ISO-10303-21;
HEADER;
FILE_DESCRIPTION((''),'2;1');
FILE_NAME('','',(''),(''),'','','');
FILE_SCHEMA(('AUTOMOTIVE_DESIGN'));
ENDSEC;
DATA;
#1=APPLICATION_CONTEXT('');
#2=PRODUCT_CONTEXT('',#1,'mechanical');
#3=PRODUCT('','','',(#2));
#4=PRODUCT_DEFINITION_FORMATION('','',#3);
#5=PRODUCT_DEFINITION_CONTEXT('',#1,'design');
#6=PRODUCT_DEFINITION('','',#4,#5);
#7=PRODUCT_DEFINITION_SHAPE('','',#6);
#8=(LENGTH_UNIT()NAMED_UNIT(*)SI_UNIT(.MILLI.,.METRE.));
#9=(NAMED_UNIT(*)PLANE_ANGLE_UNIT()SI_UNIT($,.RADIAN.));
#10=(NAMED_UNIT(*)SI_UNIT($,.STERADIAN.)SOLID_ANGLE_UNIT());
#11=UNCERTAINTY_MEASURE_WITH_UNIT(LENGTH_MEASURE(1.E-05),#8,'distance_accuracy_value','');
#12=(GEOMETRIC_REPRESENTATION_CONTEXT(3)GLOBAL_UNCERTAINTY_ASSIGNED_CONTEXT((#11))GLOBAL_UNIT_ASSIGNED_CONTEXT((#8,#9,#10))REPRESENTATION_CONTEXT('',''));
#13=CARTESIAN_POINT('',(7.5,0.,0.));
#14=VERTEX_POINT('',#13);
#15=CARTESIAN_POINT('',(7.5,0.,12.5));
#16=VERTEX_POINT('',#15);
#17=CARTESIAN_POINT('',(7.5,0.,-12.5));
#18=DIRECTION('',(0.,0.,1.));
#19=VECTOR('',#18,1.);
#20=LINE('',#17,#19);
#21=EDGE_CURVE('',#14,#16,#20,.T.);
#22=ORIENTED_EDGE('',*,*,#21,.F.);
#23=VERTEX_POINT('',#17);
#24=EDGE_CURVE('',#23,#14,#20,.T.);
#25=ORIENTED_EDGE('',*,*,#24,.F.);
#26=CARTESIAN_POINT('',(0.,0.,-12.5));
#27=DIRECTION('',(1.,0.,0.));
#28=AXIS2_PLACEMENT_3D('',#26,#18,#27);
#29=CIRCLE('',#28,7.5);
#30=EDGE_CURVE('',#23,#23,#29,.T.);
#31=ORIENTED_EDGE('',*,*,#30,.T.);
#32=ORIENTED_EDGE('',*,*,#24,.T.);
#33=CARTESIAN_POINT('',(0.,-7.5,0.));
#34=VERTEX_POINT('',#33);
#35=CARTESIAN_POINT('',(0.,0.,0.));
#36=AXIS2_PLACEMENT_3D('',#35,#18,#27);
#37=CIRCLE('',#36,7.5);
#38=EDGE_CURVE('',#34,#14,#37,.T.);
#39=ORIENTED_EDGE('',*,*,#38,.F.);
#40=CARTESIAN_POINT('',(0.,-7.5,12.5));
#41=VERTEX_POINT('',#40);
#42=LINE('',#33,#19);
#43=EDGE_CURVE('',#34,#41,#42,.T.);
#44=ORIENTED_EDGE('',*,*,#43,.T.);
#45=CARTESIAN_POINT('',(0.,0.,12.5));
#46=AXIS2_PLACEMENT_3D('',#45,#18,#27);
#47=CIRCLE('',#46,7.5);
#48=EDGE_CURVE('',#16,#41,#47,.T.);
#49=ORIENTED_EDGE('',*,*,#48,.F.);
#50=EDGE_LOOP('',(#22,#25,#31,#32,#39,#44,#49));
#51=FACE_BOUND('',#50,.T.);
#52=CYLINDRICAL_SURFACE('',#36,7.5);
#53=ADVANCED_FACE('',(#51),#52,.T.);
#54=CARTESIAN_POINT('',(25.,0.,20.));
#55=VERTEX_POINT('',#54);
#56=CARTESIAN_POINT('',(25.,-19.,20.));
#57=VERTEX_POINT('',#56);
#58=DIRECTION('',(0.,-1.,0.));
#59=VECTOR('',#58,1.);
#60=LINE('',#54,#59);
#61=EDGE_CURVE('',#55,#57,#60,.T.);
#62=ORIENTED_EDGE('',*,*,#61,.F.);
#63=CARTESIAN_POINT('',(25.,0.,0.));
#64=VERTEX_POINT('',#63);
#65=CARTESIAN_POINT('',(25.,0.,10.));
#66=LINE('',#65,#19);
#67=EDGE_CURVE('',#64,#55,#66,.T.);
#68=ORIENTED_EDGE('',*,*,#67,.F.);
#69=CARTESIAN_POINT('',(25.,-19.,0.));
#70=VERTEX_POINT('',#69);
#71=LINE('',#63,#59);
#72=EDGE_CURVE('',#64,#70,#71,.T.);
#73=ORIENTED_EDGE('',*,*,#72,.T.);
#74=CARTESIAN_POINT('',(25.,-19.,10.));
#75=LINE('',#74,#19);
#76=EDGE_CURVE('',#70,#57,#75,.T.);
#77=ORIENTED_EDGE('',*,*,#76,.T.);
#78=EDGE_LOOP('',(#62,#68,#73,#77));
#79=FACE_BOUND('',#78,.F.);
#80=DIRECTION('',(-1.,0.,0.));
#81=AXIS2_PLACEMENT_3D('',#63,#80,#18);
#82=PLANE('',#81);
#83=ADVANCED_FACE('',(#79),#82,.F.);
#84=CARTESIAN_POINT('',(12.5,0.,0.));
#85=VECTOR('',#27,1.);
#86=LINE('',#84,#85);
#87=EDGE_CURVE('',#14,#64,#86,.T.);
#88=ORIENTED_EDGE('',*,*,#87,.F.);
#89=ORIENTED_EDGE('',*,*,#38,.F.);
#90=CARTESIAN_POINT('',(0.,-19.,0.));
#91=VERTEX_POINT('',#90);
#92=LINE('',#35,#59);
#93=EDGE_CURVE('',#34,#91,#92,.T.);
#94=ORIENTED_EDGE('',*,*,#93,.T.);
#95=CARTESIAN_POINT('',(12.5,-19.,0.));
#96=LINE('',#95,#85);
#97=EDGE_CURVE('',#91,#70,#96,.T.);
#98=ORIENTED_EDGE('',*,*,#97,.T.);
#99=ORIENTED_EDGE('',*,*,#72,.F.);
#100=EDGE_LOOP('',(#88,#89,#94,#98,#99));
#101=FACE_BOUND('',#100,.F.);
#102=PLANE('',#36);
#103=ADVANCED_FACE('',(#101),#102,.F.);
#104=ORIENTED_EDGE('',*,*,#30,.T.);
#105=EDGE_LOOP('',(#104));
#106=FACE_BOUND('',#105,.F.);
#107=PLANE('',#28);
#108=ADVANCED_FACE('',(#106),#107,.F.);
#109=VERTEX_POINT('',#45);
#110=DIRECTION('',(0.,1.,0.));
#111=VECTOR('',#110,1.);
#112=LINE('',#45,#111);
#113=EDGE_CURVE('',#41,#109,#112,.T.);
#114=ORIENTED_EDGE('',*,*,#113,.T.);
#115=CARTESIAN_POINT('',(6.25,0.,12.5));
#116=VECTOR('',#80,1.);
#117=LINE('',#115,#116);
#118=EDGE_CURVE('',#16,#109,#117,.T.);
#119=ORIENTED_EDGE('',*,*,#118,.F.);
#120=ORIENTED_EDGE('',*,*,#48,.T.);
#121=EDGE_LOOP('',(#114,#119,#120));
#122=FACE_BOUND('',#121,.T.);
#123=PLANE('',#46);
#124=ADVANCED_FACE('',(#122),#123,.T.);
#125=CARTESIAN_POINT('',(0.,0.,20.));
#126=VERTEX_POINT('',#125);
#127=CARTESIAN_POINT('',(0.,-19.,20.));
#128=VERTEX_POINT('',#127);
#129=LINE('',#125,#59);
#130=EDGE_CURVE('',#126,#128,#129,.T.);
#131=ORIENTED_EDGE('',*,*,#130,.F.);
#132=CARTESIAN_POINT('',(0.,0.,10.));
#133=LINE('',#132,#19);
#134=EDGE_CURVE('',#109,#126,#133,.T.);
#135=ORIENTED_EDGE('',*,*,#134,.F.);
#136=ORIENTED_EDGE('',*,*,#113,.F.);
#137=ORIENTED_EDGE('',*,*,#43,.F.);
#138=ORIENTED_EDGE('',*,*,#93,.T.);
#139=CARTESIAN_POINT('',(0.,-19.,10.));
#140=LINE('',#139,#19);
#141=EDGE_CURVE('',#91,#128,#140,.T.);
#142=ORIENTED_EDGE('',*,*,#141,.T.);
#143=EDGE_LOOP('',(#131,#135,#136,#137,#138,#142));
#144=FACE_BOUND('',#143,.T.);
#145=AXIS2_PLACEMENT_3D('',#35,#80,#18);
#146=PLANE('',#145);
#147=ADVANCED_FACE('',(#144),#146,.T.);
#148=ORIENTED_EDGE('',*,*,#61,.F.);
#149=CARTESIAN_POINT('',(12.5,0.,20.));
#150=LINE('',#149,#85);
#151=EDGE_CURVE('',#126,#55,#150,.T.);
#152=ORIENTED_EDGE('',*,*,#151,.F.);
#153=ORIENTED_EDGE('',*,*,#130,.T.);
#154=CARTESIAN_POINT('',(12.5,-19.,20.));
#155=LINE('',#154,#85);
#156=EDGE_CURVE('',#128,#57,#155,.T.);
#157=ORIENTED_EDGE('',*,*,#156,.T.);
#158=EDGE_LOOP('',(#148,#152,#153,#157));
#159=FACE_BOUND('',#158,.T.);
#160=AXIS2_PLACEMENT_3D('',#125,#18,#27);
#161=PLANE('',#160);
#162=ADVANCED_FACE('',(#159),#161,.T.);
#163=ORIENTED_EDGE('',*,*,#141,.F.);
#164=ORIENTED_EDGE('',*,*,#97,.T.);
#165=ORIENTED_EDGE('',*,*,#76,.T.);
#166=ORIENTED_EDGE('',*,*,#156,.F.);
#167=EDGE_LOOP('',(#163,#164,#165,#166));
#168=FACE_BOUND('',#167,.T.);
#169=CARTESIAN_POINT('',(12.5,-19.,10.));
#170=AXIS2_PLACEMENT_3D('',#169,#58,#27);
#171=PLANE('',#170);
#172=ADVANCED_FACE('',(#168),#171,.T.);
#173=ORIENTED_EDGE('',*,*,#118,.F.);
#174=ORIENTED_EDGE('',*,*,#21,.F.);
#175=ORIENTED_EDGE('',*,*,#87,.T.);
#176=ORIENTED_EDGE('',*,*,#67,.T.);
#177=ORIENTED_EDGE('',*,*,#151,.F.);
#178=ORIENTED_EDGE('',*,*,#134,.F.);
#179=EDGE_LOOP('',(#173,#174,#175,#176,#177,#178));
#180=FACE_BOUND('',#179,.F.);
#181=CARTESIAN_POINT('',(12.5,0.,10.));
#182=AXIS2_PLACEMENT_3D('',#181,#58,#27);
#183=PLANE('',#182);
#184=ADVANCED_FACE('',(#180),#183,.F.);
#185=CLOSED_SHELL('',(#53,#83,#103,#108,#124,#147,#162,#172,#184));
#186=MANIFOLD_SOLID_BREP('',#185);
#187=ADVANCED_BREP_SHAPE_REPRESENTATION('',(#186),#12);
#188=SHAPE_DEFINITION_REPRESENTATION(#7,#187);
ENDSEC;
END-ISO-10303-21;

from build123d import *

# Parameters (mm, degrees)
SKETCH_W     = 25
SKETCH_H     = 20
PAD_DEPTH    = 19
SKETCH001_R  = 7.5
PAD001_DEPTH = 12.5


with BuildPart() as part:
    # Sketch → Pad (new body)
    with BuildSketch(Plane.XZ):
        with Locations((12.5, 10)):
            Rectangle(SKETCH_W, SKETCH_H)
    extrude(amount=PAD_DEPTH)

    # Sketch001 → Pad001 (join, symmetric)
    with BuildSketch(Plane.XY):
        Circle(SKETCH001_R)
    extrude(amount=PAD001_DEPTH, both=True)


solid = part.part
